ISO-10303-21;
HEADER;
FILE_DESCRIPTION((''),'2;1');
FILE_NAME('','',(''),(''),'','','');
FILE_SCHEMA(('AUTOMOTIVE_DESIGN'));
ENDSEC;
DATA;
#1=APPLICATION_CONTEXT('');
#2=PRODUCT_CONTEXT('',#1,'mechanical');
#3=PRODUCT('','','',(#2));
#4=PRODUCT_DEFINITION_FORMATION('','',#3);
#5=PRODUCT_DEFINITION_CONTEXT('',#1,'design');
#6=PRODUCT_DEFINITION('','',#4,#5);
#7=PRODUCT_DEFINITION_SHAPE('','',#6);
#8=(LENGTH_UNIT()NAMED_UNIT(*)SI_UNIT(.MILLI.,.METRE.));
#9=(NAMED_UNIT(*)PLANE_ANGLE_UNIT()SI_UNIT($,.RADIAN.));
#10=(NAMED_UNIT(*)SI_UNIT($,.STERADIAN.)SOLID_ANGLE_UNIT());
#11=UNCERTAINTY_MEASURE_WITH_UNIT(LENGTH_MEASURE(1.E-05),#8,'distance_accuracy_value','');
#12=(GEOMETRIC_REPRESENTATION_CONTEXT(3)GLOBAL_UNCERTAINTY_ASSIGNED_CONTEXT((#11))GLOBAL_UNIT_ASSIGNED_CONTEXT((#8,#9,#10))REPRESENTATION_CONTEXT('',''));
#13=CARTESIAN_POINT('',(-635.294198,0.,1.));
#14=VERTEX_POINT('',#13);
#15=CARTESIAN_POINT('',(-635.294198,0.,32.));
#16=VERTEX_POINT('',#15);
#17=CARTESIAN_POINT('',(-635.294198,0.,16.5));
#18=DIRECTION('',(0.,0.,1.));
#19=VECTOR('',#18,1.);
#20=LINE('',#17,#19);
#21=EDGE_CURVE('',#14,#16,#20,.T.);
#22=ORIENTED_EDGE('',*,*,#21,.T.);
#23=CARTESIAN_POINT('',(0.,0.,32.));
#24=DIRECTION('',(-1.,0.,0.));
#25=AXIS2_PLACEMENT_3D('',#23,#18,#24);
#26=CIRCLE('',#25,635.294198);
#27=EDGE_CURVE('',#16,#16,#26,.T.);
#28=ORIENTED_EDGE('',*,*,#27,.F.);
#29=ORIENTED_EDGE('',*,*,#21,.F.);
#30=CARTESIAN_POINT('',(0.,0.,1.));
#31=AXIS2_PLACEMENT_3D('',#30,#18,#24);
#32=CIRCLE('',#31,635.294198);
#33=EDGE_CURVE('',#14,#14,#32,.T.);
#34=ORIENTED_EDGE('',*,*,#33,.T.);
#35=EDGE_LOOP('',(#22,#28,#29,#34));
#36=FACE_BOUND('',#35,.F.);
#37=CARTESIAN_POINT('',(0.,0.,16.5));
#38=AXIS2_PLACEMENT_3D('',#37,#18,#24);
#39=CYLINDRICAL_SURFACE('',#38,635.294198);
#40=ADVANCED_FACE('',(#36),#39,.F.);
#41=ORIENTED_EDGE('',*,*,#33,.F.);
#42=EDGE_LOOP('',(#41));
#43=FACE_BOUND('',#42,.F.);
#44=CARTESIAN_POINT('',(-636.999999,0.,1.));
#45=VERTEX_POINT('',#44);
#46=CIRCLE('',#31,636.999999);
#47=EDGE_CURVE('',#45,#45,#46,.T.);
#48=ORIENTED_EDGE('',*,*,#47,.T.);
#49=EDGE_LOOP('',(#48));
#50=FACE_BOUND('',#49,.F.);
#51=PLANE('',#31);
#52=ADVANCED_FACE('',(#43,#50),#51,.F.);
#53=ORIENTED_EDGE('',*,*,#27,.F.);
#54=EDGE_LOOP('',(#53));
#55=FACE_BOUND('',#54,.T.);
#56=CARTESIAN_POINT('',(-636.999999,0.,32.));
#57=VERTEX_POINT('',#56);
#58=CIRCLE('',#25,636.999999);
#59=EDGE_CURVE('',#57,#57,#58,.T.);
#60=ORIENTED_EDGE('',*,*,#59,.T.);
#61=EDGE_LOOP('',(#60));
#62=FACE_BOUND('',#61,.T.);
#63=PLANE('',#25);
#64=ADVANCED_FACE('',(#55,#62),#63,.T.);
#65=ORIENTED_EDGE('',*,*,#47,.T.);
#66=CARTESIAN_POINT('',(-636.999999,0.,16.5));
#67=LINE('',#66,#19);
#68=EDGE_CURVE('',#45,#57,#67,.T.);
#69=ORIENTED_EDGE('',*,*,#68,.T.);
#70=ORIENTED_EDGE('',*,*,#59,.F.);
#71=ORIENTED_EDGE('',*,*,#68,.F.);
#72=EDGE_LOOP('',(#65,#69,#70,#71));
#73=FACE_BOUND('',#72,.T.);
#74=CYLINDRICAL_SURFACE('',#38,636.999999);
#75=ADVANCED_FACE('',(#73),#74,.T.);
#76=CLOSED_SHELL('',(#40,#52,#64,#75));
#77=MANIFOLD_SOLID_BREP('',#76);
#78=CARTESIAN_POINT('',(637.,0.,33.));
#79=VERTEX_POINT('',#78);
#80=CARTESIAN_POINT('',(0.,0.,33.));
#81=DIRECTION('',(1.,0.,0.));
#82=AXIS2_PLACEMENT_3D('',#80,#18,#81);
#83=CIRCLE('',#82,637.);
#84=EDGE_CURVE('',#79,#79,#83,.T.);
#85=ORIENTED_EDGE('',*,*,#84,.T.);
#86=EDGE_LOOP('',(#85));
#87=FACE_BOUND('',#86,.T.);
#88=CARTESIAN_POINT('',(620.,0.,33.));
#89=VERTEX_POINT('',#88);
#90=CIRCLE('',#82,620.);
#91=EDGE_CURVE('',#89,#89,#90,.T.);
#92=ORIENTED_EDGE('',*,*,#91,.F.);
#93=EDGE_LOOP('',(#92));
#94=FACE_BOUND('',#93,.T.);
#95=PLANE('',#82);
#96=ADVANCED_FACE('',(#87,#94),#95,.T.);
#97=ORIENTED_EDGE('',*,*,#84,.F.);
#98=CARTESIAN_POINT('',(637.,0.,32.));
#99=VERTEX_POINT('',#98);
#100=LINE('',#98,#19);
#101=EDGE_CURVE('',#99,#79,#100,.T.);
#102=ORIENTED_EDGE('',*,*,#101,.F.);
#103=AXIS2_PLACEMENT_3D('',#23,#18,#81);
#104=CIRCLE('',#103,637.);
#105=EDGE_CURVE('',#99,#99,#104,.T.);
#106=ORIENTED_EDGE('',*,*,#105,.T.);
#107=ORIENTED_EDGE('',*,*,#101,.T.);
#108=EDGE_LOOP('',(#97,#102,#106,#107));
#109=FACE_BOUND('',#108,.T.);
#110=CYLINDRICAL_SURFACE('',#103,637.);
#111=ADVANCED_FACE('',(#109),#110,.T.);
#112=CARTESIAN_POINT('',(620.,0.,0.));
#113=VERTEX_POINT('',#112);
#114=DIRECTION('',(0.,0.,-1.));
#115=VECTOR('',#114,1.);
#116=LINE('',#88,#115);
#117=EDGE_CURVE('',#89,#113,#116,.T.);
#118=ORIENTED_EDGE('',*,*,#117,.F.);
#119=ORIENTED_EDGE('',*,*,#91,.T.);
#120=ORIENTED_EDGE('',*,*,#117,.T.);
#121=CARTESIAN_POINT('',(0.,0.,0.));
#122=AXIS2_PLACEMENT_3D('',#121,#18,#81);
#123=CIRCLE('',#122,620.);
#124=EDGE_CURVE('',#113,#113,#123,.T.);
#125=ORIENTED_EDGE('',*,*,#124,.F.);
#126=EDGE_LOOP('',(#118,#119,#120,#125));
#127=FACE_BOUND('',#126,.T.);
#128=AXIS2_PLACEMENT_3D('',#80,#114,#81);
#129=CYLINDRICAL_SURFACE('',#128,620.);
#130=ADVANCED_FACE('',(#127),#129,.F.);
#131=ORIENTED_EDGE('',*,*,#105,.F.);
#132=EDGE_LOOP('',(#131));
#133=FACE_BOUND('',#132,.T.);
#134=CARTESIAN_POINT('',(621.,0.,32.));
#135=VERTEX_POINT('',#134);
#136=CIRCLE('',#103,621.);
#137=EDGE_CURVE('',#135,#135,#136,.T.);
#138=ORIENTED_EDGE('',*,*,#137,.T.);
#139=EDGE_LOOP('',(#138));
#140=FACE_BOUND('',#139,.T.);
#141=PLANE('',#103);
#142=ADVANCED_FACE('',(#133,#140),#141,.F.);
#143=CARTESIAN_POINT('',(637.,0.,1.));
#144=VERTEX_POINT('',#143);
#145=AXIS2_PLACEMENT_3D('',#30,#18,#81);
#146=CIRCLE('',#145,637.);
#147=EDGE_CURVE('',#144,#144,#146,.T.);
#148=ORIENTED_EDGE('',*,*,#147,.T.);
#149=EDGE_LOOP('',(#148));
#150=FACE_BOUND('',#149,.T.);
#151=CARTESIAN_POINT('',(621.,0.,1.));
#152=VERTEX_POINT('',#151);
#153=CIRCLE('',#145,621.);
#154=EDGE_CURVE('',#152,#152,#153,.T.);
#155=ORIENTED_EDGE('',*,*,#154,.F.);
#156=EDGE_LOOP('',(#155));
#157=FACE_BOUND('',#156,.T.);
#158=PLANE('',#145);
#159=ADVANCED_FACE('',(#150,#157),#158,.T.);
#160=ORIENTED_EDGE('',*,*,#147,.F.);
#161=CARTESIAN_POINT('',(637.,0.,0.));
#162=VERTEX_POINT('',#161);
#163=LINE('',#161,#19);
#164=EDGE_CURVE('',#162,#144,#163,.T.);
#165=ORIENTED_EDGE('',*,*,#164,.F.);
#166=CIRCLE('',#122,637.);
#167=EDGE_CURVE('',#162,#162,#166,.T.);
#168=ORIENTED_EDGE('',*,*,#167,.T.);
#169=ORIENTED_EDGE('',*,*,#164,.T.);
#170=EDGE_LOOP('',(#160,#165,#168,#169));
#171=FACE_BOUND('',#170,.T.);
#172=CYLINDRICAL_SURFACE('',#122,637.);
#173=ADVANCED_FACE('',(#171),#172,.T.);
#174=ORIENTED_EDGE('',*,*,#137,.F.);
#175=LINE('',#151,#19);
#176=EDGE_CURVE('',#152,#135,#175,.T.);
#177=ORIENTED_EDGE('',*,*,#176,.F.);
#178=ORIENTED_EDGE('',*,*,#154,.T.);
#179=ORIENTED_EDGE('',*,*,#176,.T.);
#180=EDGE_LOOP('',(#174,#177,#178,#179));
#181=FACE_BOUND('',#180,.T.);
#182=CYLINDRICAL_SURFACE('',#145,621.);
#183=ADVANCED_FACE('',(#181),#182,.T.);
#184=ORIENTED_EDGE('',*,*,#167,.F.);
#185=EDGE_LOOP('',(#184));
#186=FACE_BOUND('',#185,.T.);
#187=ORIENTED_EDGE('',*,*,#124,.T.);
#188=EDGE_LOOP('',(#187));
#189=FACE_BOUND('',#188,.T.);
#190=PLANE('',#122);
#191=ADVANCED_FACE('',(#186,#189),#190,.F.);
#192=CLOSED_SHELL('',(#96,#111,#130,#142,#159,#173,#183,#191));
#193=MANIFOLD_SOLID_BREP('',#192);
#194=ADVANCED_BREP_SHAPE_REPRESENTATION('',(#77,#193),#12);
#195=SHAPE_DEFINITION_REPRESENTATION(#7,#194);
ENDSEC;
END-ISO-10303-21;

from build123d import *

# Parameters (mm, degrees)
F2_W = 1.705801
F2_H = 31


with BuildPart() as f1:
    # F0 (on Front) → F1 (revolve)
    with BuildSketch(Plane.XZ):
        Polygon((620, 33), (620, 0), (637, 0), (637, 1), (621, 1), (621, 32), (637, 32), (637, 33), align=None)
    revolve(axis=Axis((0, 0, 7.4422), (0, 0, 1)))


with BuildPart() as f3:
    # F2 (on Front) → F3 (revolve)
    with BuildSketch(Plane.XZ):
        with Locations((-636.147099, 16.5)):
            Rectangle(F2_W, F2_H)
    revolve(axis=Axis((0, 0, 16), (0, 0, 1)))


solid = Compound([f1.part, f3.part])
